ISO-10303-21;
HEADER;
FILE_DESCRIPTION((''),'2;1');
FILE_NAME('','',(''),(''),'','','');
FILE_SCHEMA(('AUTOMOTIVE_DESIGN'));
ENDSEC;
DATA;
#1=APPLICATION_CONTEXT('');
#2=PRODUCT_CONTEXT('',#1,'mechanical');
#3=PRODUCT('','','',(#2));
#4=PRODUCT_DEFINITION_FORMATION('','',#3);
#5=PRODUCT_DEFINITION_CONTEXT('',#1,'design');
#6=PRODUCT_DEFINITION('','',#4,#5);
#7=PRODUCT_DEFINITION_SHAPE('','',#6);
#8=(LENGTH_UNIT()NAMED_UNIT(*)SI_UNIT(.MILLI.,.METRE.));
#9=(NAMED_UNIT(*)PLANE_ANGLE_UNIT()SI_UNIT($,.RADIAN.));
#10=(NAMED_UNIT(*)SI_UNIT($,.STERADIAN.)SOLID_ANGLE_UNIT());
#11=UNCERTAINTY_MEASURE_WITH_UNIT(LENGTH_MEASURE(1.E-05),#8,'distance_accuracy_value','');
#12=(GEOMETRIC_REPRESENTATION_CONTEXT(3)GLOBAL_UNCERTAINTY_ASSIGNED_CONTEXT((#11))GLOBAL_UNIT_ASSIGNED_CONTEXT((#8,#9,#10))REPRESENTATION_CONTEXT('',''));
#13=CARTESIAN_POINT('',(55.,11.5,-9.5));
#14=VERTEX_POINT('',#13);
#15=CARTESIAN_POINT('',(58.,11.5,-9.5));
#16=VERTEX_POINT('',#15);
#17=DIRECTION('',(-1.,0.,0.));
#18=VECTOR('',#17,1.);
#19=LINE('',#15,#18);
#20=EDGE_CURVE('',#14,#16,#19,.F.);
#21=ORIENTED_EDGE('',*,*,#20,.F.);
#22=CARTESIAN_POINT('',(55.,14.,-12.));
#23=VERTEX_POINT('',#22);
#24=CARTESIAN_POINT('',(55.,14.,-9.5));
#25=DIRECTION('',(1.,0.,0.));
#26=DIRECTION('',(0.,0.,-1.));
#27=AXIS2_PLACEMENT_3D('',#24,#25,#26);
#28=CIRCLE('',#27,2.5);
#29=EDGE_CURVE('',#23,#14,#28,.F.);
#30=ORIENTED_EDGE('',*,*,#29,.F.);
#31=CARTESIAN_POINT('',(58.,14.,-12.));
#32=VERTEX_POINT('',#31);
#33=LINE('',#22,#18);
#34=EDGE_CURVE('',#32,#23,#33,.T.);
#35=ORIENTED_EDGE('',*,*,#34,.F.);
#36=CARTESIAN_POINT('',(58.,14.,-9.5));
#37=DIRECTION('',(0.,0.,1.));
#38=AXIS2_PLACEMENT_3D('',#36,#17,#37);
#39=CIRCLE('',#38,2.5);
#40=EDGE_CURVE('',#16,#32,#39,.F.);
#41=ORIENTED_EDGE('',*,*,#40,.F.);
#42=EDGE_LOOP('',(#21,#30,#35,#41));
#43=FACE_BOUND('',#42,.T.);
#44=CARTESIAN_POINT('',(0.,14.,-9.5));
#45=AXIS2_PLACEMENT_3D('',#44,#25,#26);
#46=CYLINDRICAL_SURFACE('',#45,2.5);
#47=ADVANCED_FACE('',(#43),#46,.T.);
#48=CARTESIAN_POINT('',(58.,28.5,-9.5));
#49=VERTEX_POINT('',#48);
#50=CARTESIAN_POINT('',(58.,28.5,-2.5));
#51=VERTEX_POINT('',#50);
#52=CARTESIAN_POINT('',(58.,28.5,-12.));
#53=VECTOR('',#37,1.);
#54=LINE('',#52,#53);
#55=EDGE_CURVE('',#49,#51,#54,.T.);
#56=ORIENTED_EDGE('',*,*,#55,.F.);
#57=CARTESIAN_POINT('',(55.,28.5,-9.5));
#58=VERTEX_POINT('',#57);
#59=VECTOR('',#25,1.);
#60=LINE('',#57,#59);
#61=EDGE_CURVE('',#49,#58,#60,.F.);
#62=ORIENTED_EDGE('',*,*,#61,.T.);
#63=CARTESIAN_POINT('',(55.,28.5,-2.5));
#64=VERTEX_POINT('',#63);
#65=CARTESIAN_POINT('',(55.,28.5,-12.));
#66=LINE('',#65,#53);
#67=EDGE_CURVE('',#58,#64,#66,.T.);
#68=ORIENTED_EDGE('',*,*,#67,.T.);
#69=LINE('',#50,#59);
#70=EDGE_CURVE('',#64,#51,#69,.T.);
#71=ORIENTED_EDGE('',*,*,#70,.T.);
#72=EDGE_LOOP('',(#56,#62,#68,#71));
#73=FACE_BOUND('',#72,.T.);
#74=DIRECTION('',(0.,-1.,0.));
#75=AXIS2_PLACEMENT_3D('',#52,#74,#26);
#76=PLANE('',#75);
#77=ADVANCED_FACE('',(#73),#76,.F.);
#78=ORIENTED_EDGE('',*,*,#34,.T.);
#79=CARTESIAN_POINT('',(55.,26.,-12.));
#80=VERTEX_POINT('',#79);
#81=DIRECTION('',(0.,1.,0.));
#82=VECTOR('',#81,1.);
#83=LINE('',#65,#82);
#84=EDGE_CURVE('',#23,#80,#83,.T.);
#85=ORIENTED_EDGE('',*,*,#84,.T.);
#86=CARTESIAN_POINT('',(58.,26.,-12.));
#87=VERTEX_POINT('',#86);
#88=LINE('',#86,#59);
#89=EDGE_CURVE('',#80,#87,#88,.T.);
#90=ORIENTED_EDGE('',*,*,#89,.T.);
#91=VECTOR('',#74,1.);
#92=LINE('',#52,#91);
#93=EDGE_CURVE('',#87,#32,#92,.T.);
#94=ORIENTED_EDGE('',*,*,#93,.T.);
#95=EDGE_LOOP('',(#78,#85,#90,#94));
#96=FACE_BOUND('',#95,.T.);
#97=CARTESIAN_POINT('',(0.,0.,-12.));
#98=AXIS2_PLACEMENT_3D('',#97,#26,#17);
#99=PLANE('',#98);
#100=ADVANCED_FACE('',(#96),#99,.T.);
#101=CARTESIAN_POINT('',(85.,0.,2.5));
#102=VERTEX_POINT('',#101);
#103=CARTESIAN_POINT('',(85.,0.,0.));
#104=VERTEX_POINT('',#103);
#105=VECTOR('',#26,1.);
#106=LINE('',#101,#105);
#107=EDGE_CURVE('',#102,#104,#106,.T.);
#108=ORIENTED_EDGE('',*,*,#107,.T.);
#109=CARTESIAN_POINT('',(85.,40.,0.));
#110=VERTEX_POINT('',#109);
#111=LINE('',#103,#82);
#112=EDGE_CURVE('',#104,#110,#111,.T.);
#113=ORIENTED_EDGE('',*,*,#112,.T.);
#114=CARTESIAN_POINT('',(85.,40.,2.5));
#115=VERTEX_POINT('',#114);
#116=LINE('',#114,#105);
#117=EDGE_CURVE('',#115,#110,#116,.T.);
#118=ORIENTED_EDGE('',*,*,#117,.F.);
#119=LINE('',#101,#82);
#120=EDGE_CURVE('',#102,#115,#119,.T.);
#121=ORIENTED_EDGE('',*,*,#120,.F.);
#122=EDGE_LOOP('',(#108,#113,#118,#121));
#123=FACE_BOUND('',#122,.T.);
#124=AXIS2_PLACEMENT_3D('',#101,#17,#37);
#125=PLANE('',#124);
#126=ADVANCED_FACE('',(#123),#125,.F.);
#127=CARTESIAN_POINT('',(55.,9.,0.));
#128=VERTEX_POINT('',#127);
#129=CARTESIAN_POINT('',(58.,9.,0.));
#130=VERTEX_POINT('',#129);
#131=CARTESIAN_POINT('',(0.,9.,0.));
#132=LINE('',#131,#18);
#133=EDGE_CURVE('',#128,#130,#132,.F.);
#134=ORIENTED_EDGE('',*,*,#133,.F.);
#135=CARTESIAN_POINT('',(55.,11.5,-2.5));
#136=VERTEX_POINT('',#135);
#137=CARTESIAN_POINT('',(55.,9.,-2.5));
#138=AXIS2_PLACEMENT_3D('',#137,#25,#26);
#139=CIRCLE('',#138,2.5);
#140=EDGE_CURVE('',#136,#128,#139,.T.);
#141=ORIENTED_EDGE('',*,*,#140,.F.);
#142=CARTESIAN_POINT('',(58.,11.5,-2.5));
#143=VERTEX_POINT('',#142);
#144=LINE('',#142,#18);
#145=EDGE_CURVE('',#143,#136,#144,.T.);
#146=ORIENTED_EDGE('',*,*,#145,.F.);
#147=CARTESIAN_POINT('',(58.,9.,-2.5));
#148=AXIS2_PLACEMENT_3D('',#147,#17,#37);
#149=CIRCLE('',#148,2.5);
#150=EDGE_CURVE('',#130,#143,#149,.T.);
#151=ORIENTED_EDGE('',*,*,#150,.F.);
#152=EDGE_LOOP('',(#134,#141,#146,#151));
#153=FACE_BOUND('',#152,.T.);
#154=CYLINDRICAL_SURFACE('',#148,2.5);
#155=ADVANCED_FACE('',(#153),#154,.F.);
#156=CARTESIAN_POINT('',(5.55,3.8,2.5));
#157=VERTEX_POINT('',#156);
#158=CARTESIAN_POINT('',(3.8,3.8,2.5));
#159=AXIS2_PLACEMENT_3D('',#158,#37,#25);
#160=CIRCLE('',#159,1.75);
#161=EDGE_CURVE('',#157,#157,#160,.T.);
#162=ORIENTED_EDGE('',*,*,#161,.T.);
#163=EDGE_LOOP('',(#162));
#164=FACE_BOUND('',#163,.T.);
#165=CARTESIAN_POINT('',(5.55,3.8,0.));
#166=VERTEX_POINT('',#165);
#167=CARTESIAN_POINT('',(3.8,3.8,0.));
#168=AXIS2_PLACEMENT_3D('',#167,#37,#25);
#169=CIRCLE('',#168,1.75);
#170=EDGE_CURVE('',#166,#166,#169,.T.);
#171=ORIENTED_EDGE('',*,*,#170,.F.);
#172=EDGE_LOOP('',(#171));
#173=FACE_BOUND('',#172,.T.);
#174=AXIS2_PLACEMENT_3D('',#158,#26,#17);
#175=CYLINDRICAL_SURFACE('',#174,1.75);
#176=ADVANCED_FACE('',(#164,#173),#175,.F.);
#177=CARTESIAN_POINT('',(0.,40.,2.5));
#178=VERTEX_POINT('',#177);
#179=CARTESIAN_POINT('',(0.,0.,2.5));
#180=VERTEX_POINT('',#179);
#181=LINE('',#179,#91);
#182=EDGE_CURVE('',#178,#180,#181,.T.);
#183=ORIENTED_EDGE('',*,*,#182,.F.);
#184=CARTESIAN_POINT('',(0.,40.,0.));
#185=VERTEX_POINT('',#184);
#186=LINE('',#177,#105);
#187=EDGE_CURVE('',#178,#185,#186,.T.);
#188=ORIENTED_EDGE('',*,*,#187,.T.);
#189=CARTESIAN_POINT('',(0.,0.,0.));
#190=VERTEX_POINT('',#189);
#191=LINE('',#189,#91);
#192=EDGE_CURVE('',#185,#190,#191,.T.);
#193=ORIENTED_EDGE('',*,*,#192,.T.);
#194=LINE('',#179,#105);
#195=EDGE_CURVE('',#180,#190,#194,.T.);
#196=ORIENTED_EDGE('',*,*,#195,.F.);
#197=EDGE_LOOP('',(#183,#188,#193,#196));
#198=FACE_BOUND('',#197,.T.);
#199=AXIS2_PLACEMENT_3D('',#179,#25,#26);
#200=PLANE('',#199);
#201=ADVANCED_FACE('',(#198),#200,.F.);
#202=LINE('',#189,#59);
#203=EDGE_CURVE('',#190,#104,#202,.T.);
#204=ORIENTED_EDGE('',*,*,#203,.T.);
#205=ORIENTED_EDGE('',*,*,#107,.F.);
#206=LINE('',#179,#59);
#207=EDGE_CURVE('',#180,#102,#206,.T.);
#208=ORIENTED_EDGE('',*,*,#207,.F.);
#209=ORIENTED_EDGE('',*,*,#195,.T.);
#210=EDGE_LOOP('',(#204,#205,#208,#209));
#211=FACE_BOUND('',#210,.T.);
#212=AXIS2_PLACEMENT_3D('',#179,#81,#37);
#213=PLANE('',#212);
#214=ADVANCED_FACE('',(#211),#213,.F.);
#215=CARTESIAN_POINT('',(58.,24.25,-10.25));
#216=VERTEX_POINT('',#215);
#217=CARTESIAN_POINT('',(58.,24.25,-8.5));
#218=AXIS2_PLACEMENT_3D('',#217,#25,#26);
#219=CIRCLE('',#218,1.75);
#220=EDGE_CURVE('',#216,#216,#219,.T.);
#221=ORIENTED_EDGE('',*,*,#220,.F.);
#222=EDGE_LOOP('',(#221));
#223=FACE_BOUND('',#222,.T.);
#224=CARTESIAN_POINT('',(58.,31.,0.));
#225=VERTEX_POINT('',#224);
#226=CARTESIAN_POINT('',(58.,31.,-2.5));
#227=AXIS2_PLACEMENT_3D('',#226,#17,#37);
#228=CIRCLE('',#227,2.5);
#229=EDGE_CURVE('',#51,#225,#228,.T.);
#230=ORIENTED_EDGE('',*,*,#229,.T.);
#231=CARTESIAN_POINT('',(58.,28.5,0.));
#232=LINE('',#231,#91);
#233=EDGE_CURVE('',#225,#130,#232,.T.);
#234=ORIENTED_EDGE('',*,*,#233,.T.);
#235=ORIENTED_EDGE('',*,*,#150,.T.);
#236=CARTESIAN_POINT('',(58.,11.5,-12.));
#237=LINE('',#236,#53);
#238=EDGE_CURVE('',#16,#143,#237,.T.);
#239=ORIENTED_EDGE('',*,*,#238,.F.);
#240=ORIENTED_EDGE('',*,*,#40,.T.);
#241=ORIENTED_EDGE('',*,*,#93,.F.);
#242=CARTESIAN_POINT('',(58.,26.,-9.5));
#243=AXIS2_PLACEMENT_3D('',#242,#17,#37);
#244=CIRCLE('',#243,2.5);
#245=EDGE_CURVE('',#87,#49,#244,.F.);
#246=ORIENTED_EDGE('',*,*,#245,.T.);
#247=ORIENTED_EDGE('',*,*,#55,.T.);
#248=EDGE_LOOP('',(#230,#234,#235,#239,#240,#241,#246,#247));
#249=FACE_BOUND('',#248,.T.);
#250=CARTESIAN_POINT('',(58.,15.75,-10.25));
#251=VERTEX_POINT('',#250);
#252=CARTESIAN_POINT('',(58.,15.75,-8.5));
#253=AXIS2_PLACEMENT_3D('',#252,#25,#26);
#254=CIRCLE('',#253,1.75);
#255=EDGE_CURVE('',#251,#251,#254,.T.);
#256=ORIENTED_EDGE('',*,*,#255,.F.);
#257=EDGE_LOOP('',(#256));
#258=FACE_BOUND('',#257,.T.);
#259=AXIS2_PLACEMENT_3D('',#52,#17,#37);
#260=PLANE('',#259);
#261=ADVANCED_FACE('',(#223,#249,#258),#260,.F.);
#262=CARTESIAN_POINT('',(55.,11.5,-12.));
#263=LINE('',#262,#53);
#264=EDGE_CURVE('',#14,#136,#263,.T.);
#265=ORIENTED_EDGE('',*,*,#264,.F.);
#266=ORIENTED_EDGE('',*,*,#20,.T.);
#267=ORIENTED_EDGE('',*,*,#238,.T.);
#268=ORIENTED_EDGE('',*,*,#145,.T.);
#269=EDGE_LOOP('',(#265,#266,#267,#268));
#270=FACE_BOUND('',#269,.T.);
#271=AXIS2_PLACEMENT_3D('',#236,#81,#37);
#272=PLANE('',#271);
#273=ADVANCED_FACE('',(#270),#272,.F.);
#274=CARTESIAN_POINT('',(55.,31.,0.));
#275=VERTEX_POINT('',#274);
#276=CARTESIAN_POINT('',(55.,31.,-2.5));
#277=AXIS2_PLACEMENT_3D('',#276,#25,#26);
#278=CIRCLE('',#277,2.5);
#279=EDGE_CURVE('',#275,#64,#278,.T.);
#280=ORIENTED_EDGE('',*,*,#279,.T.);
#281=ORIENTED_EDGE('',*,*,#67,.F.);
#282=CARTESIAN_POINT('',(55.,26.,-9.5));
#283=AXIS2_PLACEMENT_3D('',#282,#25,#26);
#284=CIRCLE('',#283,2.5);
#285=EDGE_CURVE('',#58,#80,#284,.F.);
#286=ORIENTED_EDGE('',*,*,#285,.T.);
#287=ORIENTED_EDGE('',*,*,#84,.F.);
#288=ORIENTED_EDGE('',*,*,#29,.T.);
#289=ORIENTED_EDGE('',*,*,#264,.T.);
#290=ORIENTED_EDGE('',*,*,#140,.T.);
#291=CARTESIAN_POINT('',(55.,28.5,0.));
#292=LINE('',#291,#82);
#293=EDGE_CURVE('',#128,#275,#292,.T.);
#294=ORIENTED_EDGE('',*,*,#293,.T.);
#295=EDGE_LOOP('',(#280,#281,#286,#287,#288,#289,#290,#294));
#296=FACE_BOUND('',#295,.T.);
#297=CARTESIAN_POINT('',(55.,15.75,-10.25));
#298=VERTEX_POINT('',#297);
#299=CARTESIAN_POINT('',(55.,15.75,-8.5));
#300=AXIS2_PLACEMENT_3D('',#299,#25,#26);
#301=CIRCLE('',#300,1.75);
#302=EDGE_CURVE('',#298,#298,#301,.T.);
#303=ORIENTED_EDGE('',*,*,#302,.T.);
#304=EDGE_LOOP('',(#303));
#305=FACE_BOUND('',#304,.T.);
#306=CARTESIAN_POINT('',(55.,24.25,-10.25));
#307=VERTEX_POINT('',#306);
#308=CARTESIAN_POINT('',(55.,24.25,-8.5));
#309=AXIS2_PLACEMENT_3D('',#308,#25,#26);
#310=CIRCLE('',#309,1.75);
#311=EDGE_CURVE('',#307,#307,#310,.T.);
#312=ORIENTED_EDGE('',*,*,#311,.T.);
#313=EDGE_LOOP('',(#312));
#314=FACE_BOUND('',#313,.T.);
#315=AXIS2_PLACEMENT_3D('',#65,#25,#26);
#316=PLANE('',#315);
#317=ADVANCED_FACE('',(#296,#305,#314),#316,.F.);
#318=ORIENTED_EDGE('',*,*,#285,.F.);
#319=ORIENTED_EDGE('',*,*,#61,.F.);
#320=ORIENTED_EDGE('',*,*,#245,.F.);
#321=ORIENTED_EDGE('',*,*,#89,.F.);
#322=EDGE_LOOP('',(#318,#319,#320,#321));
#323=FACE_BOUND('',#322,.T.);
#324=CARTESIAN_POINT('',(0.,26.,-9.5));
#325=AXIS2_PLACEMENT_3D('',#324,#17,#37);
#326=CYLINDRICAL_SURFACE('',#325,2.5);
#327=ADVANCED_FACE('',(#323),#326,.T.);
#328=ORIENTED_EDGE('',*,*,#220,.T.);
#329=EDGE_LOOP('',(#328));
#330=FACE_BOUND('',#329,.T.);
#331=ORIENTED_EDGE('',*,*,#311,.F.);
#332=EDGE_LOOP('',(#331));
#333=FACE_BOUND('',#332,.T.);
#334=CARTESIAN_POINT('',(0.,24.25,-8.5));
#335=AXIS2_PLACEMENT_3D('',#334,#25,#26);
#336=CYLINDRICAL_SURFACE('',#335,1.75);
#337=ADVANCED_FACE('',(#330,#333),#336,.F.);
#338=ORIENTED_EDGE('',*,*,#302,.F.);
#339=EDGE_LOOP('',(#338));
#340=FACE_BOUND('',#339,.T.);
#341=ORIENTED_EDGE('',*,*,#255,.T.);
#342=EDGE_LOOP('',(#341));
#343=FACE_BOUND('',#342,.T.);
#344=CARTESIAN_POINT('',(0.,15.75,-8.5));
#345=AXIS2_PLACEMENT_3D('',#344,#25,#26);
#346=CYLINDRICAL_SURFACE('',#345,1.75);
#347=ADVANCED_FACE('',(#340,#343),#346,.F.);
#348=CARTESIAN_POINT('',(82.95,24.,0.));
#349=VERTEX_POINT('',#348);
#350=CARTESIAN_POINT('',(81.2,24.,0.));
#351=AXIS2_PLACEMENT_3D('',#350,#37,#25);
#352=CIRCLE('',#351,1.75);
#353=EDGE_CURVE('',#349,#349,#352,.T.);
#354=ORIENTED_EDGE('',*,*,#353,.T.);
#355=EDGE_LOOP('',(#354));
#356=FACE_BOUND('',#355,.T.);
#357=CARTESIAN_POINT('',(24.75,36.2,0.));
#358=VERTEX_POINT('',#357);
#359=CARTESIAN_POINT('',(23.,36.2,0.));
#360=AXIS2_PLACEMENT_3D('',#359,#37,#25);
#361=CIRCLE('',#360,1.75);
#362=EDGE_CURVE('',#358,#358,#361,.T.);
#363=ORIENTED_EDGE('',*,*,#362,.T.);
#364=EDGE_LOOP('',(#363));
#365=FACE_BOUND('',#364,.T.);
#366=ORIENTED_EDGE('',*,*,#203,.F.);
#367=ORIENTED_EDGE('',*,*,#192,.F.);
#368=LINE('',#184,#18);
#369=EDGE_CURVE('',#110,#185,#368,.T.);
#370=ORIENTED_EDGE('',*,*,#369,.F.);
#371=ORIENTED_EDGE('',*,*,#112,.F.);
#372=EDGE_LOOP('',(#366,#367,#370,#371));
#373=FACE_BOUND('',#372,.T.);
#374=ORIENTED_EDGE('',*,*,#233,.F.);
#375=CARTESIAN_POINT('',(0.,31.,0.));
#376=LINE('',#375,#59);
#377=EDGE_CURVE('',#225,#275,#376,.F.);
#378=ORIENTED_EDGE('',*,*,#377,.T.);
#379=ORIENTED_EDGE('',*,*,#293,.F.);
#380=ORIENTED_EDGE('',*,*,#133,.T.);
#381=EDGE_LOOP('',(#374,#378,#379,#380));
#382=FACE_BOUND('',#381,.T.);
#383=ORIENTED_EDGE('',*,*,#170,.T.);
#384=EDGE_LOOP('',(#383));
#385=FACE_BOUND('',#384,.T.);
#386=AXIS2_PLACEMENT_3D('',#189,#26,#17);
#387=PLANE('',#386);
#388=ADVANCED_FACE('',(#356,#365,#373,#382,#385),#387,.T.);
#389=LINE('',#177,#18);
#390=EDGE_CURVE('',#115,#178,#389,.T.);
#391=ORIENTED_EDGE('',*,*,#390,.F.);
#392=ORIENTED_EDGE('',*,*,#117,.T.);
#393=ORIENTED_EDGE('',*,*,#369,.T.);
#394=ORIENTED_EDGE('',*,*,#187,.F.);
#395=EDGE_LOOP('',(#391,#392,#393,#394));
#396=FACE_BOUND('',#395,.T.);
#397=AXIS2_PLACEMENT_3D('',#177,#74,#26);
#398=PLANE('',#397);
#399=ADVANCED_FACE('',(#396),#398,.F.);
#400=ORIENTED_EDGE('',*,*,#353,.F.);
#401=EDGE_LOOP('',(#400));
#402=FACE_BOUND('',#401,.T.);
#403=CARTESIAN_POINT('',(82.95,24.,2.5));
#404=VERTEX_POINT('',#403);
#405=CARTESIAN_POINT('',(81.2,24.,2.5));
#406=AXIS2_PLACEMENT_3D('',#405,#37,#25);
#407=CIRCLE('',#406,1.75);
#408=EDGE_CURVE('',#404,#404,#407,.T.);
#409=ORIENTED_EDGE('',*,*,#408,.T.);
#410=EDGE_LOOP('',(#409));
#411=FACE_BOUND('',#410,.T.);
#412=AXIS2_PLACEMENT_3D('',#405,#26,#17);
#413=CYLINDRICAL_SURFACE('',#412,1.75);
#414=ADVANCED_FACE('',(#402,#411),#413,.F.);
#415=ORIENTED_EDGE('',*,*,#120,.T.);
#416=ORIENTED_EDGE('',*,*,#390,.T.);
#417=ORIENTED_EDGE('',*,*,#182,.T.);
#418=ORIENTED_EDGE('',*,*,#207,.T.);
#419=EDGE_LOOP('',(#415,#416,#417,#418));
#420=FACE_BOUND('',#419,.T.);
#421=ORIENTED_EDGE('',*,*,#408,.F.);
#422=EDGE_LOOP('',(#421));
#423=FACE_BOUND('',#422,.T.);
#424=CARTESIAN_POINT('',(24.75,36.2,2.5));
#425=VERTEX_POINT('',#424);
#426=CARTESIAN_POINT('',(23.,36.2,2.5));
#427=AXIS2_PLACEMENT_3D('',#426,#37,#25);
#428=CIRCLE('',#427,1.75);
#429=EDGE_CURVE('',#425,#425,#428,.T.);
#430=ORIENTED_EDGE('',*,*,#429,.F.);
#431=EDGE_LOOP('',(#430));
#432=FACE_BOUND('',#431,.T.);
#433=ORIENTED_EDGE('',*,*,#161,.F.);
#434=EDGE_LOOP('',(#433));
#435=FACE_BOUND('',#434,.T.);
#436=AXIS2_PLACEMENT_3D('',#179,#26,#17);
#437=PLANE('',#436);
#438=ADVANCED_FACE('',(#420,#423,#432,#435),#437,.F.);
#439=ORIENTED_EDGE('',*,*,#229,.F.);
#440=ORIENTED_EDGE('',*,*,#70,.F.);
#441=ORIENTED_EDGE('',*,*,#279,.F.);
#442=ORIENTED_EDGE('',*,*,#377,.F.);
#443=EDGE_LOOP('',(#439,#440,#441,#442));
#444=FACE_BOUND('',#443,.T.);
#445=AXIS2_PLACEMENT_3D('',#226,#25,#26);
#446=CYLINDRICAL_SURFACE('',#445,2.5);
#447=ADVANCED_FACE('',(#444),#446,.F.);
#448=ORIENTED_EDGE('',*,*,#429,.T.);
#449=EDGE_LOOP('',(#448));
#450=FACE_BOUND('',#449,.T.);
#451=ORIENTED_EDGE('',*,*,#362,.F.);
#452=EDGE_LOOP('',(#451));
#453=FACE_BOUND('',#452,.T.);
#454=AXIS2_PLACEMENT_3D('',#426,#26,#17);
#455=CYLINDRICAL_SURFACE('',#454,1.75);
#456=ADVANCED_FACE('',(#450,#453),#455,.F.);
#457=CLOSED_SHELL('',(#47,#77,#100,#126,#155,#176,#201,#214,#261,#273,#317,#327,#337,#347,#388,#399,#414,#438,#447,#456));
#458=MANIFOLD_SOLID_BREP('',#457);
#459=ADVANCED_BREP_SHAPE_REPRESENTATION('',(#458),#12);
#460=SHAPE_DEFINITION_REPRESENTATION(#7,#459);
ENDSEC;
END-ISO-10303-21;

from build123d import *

# Parameters (mm, degrees)
ESQUISSE1_W             = 85
ESQUISSE1_H             = 40
ESQUISSE1_R             = 1.75
BOSS_EXTRU_1_DEPTH      = 2.5
ESQUISSE2_W             = 3
ESQUISSE2_H             = 17
BOSS_EXTRU_2_DEPTH      = 12
ESQUISSE3_R             = 1.75
ENL_V_MAT_EXTRU_1_DEPTH = 59
CONG_1_R                = 2.5


with BuildPart() as part:
    # Esquisse1 → Boss.-Extru.1 (new body)
    with BuildSketch(Plane.XY):
        with Locations((42.5, 20)):
            Rectangle(ESQUISSE1_W, ESQUISSE1_H)
        with Locations((23, 36.2)):
            Circle(ESQUISSE1_R, mode=Mode.SUBTRACT)
        with Locations((3.8, 3.8)):
            Circle(ESQUISSE1_R, mode=Mode.SUBTRACT)
        with Locations((81.2, 24)):
            Circle(ESQUISSE1_R, mode=Mode.SUBTRACT)
    extrude(amount=BOSS_EXTRU_1_DEPTH)

    # Esquisse2 → Boss.-Extru.2 (add)
    with BuildSketch(Plane(origin=(0, 0, 0), x_dir=(-1, 0, 0), z_dir=(0, 0, -1))):
        with Locations((-56.5, 20)):
            Rectangle(ESQUISSE2_W, ESQUISSE2_H)
    extrude(amount=BOSS_EXTRU_2_DEPTH)

    # Esquisse3 → Enlèv. mat.-Extru.1 (cut, through all)
    with BuildSketch(Plane(origin=(58, 0, 0), x_dir=(0, 0, -1), z_dir=(1, 0, 0))):
        with Locations((8.5, 24.25)):
            Circle(ESQUISSE3_R)
        with Locations((8.5, 15.75)):
            Circle(ESQUISSE3_R)
    extrude(amount=-ENL_V_MAT_EXTRU_1_DEPTH, mode=Mode.SUBTRACT)

    # Congé1
    cong_1_edges = [part.edges().sort_by_distance(p)[0] for p in [
        (56.5, 11.5, 0),
        (56.5, 28.5, 0),
        (56.5, 11.5, -12),
        (56.5, 28.5, -12),
    ]]
    fillet(cong_1_edges, radius=CONG_1_R)


solid = part.part
